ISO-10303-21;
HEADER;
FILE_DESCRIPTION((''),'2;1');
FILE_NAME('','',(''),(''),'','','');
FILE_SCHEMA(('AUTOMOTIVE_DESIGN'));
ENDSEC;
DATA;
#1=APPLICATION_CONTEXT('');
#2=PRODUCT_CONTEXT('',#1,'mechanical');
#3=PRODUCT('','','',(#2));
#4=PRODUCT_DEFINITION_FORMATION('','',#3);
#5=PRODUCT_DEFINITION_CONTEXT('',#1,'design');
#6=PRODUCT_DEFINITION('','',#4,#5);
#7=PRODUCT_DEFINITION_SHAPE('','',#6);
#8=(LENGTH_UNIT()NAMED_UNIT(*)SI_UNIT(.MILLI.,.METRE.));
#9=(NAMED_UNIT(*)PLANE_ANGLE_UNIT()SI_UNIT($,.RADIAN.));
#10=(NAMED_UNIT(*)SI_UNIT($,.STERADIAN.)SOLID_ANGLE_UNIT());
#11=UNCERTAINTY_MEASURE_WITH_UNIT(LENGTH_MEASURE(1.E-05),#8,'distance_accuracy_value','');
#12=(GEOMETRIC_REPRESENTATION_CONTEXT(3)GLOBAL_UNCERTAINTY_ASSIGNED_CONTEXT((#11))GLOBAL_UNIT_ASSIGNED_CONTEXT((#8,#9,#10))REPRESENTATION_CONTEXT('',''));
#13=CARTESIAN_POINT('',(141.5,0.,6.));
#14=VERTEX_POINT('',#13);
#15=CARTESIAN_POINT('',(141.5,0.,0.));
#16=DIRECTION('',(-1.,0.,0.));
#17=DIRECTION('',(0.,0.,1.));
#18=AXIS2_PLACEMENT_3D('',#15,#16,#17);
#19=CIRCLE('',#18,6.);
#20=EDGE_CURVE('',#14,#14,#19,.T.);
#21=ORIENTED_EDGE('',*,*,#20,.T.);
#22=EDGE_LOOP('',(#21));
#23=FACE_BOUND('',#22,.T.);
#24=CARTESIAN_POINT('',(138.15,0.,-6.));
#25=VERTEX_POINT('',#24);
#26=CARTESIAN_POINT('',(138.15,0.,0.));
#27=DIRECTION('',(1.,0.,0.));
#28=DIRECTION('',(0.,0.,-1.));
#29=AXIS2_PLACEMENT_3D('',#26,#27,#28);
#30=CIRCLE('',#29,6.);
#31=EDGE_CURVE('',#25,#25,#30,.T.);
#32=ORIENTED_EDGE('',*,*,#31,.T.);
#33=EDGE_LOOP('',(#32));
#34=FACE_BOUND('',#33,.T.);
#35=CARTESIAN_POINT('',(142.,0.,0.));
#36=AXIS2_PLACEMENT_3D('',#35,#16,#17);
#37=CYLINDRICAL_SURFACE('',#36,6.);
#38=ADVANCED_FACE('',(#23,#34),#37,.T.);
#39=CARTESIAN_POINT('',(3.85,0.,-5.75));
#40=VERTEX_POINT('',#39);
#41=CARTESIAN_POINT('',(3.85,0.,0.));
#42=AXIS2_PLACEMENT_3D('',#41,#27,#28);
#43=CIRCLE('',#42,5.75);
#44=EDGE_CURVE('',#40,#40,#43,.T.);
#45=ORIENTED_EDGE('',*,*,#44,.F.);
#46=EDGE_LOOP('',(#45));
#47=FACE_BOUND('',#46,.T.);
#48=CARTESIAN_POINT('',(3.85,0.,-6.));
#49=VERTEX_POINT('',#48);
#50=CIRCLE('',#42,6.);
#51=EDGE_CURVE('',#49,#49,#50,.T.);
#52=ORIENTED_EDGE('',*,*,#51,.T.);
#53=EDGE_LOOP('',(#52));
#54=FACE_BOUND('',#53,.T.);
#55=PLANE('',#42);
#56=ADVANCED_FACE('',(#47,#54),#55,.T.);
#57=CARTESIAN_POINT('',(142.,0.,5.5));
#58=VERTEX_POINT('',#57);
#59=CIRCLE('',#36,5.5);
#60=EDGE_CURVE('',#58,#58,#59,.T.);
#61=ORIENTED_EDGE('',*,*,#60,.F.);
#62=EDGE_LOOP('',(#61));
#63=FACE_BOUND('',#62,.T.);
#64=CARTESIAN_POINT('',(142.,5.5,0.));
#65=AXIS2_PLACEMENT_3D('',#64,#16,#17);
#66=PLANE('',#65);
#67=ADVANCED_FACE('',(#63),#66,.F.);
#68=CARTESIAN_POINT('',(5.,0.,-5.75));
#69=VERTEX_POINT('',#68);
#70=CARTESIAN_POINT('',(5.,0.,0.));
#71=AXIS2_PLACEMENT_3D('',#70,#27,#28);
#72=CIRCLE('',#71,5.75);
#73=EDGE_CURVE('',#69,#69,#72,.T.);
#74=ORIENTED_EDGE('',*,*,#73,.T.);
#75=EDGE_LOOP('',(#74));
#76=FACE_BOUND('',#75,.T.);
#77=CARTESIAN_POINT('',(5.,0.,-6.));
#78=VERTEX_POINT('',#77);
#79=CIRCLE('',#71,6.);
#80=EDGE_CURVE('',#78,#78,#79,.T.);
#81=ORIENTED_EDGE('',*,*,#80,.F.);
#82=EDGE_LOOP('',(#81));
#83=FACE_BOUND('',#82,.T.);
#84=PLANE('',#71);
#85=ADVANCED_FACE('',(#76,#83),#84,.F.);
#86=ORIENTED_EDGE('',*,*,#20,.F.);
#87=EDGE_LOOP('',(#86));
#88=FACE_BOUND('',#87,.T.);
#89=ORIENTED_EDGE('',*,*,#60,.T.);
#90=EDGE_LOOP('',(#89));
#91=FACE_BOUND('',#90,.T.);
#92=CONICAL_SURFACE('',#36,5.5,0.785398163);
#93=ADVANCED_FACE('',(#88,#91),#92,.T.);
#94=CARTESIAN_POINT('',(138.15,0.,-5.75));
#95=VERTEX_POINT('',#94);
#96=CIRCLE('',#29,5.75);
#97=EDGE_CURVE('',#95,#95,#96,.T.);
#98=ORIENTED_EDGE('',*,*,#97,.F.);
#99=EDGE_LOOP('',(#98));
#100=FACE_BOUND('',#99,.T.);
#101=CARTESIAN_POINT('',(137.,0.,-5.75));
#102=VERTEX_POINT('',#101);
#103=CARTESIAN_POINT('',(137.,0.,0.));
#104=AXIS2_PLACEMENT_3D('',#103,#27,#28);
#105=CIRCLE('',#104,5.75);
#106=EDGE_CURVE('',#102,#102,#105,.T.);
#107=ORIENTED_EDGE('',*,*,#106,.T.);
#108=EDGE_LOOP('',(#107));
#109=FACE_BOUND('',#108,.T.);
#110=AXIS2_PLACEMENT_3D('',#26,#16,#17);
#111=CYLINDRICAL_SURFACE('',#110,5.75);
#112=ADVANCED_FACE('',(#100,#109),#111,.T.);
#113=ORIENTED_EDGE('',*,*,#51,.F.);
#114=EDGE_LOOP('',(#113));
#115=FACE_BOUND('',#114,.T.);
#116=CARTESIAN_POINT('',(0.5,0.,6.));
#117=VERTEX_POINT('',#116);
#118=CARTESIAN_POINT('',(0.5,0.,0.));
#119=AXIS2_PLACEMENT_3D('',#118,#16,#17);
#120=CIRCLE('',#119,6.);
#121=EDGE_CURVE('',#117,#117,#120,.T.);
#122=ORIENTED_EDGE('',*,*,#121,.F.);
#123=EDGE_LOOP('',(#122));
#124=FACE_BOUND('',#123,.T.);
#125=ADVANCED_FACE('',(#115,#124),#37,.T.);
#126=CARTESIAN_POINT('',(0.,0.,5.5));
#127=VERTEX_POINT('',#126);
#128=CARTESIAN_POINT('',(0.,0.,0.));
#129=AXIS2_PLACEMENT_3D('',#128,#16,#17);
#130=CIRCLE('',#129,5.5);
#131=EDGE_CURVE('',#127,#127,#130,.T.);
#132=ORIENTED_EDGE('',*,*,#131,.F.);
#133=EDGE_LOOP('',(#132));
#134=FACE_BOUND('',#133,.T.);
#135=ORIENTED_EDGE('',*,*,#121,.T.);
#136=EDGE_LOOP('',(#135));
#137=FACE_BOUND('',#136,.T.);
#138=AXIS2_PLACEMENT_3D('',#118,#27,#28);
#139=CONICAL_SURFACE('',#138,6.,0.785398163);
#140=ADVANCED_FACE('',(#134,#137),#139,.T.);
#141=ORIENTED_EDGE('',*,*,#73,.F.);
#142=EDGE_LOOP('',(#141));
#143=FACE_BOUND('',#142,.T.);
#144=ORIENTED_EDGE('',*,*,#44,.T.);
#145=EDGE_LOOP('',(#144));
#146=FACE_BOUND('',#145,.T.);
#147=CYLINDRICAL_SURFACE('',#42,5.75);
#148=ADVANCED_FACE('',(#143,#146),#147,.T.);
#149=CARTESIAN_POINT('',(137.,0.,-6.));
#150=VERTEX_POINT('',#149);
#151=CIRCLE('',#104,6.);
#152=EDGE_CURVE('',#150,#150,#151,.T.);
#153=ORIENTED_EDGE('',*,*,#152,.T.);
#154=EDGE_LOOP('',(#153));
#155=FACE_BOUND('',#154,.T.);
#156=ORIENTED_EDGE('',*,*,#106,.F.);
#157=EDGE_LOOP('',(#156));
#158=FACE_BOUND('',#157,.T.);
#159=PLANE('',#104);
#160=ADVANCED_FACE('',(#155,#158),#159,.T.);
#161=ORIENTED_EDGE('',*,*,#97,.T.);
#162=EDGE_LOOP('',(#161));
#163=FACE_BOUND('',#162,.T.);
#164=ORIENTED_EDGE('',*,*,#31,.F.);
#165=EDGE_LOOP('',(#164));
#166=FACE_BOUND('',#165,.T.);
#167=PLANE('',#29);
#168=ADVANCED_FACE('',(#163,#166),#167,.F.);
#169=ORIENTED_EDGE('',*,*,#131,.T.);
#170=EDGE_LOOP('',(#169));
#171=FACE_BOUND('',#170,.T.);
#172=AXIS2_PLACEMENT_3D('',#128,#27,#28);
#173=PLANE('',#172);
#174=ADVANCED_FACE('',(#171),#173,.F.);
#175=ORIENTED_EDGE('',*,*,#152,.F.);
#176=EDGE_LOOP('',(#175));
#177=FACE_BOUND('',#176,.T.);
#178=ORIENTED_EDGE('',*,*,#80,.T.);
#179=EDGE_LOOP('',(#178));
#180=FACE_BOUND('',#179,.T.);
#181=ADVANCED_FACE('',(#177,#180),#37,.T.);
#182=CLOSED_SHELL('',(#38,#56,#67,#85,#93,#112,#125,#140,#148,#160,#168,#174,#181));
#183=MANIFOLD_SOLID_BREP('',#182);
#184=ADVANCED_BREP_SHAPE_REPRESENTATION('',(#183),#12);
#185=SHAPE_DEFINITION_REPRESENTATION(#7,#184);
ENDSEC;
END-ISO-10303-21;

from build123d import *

# Parameters (mm, degrees)
SKETCH_2_R          = 12
SKETCH_2_R_2        = 5.75
CUT_EXTRUDE_1_DEPTH = 1.15
SKETCH_3_R          = 12
SKETCH_3_R_2        = 5.75
CUT_EXTRUDE_2_DEPTH = 1.15


with BuildPart() as part:
    # ｽｹｯﾁ1 → 回転1 (revolve)
    with BuildSketch(Plane.XY):
        Polygon((0, 0), (0, 5.5), (0.5, 6), (141.5, 6), (142, 5.5), (142, 0), align=None)
    revolve(axis=Axis((142, 0, 0), (-1, 0, 0)))

    # ｽｹｯﾁ2 → ｶｯﾄ - 押し出し1 (cut)
    with BuildSketch(Plane(origin=(5, 0, 0), x_dir=(0, 0, -1), z_dir=(1, 0, 0))):
        Circle(SKETCH_2_R)
        Circle(SKETCH_2_R_2, mode=Mode.SUBTRACT)
    extrude(amount=-CUT_EXTRUDE_1_DEPTH, mode=Mode.SUBTRACT)

    # ｽｹｯﾁ3 → ｶｯﾄ - 押し出し2 (cut)
    with BuildSketch(Plane(origin=(137, 0, 0), x_dir=(0, 0, -1), z_dir=(1, 0, 0))):
        Circle(SKETCH_3_R)
        Circle(SKETCH_3_R_2, mode=Mode.SUBTRACT)
    extrude(amount=CUT_EXTRUDE_2_DEPTH, mode=Mode.SUBTRACT)


solid = part.part
